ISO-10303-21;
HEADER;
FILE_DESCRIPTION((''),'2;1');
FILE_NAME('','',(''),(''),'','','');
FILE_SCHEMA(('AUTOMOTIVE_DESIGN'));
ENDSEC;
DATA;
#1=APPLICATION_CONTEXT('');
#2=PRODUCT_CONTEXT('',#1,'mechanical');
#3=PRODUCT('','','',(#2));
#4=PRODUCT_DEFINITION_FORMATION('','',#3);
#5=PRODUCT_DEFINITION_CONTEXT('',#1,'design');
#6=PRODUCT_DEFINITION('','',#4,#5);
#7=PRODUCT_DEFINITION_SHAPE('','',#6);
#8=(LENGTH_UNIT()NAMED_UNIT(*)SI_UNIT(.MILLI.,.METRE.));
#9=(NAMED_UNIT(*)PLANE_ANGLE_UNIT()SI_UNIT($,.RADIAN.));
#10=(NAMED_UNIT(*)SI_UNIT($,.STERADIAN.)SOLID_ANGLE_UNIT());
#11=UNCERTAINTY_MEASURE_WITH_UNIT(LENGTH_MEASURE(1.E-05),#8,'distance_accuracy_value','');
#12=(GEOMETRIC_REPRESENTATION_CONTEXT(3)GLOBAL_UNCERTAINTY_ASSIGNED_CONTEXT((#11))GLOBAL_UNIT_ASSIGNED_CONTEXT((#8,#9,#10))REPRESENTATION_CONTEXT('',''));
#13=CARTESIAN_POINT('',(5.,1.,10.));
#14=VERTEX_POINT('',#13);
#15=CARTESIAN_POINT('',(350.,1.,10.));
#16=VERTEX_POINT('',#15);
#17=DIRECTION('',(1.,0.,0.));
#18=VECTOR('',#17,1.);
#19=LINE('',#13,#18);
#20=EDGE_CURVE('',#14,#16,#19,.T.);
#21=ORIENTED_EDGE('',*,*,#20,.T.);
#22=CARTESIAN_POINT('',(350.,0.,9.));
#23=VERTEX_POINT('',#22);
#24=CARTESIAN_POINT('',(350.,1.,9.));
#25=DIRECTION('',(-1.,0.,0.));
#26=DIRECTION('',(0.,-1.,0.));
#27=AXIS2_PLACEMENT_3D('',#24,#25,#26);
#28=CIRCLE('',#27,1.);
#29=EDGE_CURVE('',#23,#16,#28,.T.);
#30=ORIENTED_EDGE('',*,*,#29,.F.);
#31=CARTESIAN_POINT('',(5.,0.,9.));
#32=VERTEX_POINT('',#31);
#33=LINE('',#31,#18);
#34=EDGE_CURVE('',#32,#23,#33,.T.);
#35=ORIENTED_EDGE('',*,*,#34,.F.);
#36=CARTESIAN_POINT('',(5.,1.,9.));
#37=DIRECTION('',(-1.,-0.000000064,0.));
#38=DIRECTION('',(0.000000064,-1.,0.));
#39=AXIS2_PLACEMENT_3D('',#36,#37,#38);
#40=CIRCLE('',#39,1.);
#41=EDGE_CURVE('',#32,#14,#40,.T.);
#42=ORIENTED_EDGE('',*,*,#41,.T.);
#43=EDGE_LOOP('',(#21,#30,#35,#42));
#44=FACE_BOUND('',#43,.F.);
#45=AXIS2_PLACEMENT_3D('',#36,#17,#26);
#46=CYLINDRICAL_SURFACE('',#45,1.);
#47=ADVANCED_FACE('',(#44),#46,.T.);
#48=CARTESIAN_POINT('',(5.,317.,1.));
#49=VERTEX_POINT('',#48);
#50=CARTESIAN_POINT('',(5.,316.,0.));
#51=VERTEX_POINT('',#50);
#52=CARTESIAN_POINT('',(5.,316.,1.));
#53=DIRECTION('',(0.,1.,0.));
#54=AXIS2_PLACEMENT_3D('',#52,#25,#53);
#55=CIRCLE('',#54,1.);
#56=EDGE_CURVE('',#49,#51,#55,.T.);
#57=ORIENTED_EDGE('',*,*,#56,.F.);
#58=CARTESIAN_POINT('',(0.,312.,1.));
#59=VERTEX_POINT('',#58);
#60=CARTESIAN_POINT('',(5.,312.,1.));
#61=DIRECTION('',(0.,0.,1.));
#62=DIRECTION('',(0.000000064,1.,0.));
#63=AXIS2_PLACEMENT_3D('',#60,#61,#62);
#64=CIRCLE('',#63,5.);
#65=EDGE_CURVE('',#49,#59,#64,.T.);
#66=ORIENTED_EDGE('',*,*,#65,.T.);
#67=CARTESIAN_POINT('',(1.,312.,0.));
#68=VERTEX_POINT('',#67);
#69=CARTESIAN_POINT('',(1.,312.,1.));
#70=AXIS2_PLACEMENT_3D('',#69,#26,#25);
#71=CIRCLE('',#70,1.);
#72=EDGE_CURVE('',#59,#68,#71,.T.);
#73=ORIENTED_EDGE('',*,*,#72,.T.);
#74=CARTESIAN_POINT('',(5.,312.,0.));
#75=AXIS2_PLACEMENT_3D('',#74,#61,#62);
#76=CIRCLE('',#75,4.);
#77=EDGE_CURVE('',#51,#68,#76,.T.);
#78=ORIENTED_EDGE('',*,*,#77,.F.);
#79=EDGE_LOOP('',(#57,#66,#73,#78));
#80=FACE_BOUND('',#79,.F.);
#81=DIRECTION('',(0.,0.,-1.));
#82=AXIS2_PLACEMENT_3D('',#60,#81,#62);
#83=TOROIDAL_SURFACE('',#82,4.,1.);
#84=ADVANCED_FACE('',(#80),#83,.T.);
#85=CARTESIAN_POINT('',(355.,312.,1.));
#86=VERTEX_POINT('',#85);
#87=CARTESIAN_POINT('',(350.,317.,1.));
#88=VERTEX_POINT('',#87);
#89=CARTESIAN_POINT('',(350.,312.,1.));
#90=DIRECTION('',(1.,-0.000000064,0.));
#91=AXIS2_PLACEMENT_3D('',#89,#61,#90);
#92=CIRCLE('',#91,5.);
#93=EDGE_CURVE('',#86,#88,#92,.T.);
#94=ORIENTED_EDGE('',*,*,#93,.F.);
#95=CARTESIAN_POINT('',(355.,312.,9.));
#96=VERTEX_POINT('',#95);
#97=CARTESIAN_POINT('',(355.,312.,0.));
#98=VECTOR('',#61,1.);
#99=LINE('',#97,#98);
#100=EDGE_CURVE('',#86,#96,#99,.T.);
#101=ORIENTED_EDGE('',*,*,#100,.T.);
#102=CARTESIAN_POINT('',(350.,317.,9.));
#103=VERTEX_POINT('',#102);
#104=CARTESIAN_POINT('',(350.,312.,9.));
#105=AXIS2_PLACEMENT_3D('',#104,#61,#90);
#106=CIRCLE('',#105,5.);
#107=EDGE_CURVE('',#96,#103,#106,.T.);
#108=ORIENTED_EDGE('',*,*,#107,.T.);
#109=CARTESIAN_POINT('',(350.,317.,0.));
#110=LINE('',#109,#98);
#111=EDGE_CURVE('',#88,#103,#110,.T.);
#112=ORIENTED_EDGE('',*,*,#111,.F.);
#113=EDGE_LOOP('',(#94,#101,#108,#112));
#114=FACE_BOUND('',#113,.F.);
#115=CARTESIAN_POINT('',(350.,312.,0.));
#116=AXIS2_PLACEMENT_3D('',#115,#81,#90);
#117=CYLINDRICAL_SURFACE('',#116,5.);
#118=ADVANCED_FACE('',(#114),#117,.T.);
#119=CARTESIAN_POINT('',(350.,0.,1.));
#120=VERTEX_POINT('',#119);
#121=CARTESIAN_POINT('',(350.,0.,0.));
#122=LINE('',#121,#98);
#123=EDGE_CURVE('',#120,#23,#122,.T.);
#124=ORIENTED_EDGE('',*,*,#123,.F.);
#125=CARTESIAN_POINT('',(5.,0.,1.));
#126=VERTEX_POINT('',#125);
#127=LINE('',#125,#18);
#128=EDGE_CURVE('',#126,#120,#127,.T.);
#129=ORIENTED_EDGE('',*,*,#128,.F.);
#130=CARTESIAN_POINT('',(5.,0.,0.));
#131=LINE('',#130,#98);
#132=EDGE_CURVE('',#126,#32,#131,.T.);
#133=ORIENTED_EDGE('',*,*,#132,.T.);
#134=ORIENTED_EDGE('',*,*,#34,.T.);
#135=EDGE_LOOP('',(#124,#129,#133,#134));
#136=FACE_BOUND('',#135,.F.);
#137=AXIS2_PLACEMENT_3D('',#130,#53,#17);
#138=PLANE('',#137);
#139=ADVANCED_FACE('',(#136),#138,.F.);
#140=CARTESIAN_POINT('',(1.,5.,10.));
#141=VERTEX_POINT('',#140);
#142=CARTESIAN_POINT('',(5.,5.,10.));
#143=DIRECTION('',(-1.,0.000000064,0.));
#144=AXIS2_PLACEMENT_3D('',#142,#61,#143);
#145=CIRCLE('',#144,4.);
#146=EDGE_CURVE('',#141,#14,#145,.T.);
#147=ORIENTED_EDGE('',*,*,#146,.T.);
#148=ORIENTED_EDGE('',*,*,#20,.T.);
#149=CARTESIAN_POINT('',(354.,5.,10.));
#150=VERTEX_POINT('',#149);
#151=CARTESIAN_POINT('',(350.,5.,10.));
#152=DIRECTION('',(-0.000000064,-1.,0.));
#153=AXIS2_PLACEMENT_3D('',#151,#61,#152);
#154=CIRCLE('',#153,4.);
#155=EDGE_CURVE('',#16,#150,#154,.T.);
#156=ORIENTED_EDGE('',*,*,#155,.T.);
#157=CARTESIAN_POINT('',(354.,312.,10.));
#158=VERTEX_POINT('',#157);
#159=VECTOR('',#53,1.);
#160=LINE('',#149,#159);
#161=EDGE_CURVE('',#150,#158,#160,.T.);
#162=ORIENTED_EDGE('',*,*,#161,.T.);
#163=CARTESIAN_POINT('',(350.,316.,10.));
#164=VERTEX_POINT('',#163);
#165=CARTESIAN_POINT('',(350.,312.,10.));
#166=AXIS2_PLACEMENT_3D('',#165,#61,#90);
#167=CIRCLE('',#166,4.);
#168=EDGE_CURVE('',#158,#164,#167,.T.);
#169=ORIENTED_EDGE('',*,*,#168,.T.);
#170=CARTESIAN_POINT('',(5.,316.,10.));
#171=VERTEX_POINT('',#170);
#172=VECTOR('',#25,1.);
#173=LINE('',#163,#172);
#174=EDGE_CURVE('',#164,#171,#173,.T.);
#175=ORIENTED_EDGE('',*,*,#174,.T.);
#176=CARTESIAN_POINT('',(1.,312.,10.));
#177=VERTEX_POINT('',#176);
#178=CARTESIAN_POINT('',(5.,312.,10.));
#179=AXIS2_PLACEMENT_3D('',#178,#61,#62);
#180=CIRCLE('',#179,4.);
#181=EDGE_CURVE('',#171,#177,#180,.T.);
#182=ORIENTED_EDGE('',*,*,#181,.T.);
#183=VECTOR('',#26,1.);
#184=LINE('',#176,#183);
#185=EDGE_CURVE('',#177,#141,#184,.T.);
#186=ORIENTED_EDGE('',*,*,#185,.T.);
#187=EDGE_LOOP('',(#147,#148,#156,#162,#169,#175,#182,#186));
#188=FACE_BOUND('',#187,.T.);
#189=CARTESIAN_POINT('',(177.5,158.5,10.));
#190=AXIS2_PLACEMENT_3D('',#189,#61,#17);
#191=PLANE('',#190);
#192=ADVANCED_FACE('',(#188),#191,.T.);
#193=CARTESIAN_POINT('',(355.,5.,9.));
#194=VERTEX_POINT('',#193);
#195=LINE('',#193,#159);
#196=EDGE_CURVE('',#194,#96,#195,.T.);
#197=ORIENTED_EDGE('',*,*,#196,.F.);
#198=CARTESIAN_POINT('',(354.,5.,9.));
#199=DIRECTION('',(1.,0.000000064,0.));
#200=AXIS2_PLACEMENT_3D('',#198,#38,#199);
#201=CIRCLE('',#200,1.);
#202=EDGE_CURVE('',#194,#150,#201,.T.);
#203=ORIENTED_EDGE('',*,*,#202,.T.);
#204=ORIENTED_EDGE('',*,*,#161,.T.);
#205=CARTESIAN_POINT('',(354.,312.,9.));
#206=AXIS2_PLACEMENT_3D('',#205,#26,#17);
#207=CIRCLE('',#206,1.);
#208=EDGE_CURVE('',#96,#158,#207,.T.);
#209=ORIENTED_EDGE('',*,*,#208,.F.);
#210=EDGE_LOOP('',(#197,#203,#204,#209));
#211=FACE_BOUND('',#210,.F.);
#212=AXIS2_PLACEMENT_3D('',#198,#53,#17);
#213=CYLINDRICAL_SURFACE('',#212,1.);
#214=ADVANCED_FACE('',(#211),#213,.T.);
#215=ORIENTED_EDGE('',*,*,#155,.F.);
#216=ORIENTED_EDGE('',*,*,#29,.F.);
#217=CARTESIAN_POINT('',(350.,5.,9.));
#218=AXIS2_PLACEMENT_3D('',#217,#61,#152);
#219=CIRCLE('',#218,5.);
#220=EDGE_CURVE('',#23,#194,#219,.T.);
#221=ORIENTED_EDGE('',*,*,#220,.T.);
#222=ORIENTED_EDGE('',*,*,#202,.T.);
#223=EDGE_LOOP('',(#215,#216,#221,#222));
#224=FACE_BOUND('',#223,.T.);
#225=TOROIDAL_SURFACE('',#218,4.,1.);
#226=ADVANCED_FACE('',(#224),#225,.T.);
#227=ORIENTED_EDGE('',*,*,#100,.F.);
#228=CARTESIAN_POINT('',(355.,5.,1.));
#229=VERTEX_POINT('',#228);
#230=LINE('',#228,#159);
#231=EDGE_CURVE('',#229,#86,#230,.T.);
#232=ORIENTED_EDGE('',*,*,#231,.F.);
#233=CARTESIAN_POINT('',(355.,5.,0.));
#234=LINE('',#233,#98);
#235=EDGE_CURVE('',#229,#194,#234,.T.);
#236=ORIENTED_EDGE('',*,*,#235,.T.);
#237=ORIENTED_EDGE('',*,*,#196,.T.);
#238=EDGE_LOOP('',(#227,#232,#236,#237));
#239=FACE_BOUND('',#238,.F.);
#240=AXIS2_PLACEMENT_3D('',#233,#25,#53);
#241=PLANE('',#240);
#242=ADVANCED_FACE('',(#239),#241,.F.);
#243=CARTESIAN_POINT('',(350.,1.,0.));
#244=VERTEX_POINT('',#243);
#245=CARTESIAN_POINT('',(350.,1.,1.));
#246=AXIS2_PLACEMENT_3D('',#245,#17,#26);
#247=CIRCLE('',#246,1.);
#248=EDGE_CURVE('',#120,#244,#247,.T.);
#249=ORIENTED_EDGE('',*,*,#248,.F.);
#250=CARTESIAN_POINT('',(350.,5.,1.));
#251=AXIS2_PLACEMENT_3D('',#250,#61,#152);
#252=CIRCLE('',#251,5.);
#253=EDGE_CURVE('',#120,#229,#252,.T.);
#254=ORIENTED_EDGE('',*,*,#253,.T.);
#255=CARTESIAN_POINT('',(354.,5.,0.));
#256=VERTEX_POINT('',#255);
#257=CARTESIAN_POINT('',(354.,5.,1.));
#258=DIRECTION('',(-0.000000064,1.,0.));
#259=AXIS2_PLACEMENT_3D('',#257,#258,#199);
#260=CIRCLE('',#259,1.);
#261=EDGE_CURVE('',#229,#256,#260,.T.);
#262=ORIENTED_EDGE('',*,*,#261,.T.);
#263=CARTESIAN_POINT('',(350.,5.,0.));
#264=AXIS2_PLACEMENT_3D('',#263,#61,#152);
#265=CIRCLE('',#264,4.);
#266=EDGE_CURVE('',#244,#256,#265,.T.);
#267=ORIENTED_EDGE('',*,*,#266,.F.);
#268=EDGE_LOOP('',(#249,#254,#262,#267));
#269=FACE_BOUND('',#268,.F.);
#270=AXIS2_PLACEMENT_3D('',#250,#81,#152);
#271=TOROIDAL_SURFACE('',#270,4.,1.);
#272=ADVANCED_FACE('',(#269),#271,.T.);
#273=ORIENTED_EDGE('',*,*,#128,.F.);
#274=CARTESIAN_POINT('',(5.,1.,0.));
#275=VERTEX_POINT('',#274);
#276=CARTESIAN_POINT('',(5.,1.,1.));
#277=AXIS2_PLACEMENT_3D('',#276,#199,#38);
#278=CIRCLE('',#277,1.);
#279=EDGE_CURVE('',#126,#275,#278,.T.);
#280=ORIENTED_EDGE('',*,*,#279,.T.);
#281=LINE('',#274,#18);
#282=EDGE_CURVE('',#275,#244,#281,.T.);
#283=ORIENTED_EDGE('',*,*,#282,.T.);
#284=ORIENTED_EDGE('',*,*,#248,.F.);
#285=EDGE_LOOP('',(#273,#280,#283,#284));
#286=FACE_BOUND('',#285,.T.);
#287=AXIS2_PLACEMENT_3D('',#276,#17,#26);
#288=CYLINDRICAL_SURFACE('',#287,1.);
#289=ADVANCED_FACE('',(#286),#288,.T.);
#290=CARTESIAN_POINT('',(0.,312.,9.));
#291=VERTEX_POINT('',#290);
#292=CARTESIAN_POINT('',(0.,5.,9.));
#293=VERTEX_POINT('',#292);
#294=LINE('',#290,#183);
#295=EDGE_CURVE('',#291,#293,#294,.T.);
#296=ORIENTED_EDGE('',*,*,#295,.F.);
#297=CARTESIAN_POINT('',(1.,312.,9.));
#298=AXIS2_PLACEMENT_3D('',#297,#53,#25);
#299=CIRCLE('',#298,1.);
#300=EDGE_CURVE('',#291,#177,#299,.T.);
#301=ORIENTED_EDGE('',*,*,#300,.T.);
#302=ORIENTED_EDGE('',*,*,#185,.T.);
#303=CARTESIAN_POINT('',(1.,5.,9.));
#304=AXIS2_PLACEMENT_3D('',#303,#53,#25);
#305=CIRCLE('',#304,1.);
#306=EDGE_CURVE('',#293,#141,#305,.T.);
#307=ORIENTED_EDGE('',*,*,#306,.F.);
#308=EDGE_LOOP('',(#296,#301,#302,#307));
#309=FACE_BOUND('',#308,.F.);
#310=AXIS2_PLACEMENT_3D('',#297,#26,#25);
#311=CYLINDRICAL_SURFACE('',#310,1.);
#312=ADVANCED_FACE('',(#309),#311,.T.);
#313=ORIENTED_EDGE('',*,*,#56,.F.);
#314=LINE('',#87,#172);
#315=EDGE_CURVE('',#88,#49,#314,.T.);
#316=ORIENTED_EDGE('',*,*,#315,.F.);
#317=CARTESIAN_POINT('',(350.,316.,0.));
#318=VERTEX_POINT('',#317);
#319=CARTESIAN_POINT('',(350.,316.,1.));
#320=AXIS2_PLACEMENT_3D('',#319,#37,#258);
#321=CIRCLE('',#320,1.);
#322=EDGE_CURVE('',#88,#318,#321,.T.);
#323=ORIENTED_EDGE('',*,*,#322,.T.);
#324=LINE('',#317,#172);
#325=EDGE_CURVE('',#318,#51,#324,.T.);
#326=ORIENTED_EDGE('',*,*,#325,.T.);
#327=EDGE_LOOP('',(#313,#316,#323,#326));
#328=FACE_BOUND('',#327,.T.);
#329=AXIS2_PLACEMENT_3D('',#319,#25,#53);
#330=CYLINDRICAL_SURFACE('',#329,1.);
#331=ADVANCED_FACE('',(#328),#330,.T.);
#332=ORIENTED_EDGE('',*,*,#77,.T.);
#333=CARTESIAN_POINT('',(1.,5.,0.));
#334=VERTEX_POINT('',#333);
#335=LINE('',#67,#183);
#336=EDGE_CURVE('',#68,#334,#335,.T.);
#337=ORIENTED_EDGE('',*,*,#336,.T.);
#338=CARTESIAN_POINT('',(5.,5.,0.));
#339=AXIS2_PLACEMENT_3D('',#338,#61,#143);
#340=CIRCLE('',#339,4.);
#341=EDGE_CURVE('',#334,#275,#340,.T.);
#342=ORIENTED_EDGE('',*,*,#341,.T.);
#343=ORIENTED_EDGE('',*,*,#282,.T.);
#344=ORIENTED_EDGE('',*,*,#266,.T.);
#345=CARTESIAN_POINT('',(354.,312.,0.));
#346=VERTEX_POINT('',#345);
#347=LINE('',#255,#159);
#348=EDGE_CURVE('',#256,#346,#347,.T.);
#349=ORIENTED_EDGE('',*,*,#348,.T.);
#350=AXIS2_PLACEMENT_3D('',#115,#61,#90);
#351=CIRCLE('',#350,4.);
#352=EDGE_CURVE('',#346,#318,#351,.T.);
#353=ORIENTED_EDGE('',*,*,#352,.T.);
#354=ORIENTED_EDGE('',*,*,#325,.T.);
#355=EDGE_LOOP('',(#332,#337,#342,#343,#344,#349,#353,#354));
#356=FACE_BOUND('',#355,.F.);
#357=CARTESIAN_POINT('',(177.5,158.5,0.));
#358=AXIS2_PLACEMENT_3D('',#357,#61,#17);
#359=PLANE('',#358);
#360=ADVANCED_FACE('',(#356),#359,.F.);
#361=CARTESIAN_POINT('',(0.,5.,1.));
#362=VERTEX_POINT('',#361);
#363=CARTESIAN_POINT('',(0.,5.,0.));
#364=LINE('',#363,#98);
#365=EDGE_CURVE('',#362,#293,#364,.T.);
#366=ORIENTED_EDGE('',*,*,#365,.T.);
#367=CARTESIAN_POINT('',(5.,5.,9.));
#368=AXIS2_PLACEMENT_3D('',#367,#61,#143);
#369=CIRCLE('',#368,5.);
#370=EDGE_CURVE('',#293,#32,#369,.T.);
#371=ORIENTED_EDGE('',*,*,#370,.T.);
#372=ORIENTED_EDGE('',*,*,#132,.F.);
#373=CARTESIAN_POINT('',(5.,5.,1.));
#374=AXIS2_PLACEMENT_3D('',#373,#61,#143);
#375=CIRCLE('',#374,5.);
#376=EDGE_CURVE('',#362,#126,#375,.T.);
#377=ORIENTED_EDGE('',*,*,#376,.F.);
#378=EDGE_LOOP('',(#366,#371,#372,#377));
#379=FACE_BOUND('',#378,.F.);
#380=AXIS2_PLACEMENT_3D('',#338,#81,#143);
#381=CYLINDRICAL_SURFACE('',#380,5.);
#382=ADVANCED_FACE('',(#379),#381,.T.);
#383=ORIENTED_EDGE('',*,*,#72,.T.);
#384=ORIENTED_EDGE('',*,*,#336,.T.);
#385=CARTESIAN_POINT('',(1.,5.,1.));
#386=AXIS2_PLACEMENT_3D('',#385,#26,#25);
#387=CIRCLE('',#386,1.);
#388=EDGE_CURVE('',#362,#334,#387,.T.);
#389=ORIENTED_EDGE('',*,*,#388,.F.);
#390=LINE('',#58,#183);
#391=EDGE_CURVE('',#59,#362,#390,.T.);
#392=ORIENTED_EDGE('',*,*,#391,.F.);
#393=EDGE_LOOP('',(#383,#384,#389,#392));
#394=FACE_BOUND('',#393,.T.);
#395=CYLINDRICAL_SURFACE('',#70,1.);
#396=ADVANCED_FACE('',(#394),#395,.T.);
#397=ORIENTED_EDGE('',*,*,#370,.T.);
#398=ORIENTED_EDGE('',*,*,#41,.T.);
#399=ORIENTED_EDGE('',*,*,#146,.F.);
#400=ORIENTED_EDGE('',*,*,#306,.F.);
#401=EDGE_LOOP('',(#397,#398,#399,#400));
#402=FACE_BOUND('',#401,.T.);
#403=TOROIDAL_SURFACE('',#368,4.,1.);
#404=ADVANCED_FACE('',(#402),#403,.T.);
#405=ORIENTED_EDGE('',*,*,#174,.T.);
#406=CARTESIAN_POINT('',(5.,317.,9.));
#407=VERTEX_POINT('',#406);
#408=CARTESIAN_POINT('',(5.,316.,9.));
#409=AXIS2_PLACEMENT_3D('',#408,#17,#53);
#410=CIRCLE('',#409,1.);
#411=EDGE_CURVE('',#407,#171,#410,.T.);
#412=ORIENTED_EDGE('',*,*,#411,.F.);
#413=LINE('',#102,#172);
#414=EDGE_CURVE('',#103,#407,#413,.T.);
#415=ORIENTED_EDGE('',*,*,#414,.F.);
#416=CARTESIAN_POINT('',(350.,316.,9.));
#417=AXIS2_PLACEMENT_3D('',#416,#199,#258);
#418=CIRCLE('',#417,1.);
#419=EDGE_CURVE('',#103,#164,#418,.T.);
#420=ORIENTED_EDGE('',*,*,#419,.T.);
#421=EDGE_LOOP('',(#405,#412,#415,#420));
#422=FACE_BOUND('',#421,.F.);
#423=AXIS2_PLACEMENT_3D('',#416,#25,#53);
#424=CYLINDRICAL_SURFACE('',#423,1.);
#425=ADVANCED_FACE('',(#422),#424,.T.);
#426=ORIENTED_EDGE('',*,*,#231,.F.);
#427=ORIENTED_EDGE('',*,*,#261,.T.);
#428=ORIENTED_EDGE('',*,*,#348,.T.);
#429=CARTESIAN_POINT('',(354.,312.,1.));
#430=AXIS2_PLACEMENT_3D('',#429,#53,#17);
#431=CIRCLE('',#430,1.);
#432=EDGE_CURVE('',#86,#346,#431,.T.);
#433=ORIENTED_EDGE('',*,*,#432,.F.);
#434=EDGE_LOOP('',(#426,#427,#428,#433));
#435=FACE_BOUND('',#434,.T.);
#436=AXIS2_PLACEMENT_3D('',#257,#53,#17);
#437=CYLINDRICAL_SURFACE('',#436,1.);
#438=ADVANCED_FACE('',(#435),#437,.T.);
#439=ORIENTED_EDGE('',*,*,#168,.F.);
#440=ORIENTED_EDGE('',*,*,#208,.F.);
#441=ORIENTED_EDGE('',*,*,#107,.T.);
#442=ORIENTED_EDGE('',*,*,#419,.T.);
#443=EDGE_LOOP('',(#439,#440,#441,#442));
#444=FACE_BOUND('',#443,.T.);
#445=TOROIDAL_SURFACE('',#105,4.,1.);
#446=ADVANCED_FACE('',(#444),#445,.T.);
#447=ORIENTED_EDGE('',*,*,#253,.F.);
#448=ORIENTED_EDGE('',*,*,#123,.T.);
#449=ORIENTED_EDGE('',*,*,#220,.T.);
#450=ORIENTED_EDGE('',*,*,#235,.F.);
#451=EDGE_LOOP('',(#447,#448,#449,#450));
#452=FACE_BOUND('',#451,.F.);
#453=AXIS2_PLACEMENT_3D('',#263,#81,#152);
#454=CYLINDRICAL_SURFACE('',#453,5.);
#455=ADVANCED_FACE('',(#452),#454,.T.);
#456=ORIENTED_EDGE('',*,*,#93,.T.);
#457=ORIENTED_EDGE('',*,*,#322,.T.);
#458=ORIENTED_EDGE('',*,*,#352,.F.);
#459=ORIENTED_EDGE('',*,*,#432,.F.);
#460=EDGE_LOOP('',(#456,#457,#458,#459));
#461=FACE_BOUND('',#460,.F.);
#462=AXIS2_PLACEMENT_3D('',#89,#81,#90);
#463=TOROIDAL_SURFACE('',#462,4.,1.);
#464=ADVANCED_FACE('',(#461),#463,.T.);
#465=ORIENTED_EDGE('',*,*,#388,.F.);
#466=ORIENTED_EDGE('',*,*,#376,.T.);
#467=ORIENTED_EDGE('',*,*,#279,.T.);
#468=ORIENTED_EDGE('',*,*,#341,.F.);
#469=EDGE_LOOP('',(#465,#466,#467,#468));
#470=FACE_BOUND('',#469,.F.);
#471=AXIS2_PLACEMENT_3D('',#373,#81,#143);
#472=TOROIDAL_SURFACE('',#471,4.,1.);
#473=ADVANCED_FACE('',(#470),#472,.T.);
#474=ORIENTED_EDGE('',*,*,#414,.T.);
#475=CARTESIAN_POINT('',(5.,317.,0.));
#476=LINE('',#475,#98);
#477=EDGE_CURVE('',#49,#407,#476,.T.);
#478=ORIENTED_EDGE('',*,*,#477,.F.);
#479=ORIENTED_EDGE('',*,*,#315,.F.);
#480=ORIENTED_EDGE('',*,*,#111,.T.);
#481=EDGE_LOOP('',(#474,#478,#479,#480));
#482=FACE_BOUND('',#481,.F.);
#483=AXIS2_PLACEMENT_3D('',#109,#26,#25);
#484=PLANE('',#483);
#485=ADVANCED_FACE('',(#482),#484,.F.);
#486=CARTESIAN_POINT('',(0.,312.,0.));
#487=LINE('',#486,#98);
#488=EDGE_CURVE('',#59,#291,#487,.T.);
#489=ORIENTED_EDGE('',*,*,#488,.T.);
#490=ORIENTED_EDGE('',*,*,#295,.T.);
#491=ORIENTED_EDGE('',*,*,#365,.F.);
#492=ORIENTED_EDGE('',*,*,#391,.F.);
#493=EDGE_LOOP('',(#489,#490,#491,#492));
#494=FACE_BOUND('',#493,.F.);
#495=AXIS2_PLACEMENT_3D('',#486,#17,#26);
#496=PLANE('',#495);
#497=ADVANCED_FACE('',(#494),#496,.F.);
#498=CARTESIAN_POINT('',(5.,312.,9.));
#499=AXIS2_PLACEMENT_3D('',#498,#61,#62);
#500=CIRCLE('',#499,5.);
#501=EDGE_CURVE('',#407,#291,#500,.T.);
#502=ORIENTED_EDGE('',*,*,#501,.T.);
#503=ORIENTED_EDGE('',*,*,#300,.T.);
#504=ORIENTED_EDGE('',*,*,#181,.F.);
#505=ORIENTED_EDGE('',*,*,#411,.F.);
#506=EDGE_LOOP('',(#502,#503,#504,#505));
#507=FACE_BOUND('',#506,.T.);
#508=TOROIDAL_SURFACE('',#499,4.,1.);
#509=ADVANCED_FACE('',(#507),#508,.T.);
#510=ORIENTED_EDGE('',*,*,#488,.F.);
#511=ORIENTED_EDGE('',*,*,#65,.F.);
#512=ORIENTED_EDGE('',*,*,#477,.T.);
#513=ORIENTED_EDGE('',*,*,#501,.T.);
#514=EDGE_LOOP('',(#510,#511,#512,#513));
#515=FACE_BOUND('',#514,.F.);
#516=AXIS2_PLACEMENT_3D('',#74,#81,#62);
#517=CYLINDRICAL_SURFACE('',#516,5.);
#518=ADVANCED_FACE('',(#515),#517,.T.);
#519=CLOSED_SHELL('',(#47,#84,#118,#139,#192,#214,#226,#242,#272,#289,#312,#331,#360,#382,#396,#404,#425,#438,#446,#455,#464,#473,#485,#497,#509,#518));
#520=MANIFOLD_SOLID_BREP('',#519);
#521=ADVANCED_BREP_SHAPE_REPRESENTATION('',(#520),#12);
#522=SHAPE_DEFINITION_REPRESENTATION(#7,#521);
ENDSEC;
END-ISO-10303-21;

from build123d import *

# Parameters (mm, degrees)
F1_DEPTH = 10
F2_R     = 1


with BuildPart() as f1:
    # F0 (on Top) → F1 (new body)
    with BuildSketch(Plane.XY):
        with BuildLine():
            ThreePointArc((0, 5), (1.464466, 1.464466), (5, 0))
            Line((5, 0), (350, 0))
            ThreePointArc((350, 0), (353.535534, 1.464466), (355, 5))
            Line((355, 5), (355, 312))
            ThreePointArc((355, 312), (353.535534, 315.535534), (350, 317))
            Line((350, 317), (5, 317))
            ThreePointArc((5, 317), (1.464466, 315.535534), (0, 312))
            Line((0, 312), (0, 5))
        make_face()
    extrude(amount=F1_DEPTH)

    # F2
    f2_edges = [f1.edges().sort_by_distance(p)[0] for p in [
        (0, 158.5, 10),
        (1.464466, 1.464466, 10),
        (177.5, 0, 10),
        (353.535534, 1.464466, 10),
        (355, 158.5, 10),
        (353.535534, 315.535534, 10),
        (177.5, 317, 10),
        (1.464466, 315.535534, 10),
        (0, 158.5, 0),
        (1.464466, 1.464466, 0),
        (177.5, 0, 0),
        (353.535534, 1.464466, 0),
        (355, 158.5, 0),
        (353.535534, 315.535534, 0),
        (177.5, 317, 0),
        (1.464466, 315.535534, 0),
    ]]
    fillet(f2_edges, radius=F2_R)


solid = f1.part
